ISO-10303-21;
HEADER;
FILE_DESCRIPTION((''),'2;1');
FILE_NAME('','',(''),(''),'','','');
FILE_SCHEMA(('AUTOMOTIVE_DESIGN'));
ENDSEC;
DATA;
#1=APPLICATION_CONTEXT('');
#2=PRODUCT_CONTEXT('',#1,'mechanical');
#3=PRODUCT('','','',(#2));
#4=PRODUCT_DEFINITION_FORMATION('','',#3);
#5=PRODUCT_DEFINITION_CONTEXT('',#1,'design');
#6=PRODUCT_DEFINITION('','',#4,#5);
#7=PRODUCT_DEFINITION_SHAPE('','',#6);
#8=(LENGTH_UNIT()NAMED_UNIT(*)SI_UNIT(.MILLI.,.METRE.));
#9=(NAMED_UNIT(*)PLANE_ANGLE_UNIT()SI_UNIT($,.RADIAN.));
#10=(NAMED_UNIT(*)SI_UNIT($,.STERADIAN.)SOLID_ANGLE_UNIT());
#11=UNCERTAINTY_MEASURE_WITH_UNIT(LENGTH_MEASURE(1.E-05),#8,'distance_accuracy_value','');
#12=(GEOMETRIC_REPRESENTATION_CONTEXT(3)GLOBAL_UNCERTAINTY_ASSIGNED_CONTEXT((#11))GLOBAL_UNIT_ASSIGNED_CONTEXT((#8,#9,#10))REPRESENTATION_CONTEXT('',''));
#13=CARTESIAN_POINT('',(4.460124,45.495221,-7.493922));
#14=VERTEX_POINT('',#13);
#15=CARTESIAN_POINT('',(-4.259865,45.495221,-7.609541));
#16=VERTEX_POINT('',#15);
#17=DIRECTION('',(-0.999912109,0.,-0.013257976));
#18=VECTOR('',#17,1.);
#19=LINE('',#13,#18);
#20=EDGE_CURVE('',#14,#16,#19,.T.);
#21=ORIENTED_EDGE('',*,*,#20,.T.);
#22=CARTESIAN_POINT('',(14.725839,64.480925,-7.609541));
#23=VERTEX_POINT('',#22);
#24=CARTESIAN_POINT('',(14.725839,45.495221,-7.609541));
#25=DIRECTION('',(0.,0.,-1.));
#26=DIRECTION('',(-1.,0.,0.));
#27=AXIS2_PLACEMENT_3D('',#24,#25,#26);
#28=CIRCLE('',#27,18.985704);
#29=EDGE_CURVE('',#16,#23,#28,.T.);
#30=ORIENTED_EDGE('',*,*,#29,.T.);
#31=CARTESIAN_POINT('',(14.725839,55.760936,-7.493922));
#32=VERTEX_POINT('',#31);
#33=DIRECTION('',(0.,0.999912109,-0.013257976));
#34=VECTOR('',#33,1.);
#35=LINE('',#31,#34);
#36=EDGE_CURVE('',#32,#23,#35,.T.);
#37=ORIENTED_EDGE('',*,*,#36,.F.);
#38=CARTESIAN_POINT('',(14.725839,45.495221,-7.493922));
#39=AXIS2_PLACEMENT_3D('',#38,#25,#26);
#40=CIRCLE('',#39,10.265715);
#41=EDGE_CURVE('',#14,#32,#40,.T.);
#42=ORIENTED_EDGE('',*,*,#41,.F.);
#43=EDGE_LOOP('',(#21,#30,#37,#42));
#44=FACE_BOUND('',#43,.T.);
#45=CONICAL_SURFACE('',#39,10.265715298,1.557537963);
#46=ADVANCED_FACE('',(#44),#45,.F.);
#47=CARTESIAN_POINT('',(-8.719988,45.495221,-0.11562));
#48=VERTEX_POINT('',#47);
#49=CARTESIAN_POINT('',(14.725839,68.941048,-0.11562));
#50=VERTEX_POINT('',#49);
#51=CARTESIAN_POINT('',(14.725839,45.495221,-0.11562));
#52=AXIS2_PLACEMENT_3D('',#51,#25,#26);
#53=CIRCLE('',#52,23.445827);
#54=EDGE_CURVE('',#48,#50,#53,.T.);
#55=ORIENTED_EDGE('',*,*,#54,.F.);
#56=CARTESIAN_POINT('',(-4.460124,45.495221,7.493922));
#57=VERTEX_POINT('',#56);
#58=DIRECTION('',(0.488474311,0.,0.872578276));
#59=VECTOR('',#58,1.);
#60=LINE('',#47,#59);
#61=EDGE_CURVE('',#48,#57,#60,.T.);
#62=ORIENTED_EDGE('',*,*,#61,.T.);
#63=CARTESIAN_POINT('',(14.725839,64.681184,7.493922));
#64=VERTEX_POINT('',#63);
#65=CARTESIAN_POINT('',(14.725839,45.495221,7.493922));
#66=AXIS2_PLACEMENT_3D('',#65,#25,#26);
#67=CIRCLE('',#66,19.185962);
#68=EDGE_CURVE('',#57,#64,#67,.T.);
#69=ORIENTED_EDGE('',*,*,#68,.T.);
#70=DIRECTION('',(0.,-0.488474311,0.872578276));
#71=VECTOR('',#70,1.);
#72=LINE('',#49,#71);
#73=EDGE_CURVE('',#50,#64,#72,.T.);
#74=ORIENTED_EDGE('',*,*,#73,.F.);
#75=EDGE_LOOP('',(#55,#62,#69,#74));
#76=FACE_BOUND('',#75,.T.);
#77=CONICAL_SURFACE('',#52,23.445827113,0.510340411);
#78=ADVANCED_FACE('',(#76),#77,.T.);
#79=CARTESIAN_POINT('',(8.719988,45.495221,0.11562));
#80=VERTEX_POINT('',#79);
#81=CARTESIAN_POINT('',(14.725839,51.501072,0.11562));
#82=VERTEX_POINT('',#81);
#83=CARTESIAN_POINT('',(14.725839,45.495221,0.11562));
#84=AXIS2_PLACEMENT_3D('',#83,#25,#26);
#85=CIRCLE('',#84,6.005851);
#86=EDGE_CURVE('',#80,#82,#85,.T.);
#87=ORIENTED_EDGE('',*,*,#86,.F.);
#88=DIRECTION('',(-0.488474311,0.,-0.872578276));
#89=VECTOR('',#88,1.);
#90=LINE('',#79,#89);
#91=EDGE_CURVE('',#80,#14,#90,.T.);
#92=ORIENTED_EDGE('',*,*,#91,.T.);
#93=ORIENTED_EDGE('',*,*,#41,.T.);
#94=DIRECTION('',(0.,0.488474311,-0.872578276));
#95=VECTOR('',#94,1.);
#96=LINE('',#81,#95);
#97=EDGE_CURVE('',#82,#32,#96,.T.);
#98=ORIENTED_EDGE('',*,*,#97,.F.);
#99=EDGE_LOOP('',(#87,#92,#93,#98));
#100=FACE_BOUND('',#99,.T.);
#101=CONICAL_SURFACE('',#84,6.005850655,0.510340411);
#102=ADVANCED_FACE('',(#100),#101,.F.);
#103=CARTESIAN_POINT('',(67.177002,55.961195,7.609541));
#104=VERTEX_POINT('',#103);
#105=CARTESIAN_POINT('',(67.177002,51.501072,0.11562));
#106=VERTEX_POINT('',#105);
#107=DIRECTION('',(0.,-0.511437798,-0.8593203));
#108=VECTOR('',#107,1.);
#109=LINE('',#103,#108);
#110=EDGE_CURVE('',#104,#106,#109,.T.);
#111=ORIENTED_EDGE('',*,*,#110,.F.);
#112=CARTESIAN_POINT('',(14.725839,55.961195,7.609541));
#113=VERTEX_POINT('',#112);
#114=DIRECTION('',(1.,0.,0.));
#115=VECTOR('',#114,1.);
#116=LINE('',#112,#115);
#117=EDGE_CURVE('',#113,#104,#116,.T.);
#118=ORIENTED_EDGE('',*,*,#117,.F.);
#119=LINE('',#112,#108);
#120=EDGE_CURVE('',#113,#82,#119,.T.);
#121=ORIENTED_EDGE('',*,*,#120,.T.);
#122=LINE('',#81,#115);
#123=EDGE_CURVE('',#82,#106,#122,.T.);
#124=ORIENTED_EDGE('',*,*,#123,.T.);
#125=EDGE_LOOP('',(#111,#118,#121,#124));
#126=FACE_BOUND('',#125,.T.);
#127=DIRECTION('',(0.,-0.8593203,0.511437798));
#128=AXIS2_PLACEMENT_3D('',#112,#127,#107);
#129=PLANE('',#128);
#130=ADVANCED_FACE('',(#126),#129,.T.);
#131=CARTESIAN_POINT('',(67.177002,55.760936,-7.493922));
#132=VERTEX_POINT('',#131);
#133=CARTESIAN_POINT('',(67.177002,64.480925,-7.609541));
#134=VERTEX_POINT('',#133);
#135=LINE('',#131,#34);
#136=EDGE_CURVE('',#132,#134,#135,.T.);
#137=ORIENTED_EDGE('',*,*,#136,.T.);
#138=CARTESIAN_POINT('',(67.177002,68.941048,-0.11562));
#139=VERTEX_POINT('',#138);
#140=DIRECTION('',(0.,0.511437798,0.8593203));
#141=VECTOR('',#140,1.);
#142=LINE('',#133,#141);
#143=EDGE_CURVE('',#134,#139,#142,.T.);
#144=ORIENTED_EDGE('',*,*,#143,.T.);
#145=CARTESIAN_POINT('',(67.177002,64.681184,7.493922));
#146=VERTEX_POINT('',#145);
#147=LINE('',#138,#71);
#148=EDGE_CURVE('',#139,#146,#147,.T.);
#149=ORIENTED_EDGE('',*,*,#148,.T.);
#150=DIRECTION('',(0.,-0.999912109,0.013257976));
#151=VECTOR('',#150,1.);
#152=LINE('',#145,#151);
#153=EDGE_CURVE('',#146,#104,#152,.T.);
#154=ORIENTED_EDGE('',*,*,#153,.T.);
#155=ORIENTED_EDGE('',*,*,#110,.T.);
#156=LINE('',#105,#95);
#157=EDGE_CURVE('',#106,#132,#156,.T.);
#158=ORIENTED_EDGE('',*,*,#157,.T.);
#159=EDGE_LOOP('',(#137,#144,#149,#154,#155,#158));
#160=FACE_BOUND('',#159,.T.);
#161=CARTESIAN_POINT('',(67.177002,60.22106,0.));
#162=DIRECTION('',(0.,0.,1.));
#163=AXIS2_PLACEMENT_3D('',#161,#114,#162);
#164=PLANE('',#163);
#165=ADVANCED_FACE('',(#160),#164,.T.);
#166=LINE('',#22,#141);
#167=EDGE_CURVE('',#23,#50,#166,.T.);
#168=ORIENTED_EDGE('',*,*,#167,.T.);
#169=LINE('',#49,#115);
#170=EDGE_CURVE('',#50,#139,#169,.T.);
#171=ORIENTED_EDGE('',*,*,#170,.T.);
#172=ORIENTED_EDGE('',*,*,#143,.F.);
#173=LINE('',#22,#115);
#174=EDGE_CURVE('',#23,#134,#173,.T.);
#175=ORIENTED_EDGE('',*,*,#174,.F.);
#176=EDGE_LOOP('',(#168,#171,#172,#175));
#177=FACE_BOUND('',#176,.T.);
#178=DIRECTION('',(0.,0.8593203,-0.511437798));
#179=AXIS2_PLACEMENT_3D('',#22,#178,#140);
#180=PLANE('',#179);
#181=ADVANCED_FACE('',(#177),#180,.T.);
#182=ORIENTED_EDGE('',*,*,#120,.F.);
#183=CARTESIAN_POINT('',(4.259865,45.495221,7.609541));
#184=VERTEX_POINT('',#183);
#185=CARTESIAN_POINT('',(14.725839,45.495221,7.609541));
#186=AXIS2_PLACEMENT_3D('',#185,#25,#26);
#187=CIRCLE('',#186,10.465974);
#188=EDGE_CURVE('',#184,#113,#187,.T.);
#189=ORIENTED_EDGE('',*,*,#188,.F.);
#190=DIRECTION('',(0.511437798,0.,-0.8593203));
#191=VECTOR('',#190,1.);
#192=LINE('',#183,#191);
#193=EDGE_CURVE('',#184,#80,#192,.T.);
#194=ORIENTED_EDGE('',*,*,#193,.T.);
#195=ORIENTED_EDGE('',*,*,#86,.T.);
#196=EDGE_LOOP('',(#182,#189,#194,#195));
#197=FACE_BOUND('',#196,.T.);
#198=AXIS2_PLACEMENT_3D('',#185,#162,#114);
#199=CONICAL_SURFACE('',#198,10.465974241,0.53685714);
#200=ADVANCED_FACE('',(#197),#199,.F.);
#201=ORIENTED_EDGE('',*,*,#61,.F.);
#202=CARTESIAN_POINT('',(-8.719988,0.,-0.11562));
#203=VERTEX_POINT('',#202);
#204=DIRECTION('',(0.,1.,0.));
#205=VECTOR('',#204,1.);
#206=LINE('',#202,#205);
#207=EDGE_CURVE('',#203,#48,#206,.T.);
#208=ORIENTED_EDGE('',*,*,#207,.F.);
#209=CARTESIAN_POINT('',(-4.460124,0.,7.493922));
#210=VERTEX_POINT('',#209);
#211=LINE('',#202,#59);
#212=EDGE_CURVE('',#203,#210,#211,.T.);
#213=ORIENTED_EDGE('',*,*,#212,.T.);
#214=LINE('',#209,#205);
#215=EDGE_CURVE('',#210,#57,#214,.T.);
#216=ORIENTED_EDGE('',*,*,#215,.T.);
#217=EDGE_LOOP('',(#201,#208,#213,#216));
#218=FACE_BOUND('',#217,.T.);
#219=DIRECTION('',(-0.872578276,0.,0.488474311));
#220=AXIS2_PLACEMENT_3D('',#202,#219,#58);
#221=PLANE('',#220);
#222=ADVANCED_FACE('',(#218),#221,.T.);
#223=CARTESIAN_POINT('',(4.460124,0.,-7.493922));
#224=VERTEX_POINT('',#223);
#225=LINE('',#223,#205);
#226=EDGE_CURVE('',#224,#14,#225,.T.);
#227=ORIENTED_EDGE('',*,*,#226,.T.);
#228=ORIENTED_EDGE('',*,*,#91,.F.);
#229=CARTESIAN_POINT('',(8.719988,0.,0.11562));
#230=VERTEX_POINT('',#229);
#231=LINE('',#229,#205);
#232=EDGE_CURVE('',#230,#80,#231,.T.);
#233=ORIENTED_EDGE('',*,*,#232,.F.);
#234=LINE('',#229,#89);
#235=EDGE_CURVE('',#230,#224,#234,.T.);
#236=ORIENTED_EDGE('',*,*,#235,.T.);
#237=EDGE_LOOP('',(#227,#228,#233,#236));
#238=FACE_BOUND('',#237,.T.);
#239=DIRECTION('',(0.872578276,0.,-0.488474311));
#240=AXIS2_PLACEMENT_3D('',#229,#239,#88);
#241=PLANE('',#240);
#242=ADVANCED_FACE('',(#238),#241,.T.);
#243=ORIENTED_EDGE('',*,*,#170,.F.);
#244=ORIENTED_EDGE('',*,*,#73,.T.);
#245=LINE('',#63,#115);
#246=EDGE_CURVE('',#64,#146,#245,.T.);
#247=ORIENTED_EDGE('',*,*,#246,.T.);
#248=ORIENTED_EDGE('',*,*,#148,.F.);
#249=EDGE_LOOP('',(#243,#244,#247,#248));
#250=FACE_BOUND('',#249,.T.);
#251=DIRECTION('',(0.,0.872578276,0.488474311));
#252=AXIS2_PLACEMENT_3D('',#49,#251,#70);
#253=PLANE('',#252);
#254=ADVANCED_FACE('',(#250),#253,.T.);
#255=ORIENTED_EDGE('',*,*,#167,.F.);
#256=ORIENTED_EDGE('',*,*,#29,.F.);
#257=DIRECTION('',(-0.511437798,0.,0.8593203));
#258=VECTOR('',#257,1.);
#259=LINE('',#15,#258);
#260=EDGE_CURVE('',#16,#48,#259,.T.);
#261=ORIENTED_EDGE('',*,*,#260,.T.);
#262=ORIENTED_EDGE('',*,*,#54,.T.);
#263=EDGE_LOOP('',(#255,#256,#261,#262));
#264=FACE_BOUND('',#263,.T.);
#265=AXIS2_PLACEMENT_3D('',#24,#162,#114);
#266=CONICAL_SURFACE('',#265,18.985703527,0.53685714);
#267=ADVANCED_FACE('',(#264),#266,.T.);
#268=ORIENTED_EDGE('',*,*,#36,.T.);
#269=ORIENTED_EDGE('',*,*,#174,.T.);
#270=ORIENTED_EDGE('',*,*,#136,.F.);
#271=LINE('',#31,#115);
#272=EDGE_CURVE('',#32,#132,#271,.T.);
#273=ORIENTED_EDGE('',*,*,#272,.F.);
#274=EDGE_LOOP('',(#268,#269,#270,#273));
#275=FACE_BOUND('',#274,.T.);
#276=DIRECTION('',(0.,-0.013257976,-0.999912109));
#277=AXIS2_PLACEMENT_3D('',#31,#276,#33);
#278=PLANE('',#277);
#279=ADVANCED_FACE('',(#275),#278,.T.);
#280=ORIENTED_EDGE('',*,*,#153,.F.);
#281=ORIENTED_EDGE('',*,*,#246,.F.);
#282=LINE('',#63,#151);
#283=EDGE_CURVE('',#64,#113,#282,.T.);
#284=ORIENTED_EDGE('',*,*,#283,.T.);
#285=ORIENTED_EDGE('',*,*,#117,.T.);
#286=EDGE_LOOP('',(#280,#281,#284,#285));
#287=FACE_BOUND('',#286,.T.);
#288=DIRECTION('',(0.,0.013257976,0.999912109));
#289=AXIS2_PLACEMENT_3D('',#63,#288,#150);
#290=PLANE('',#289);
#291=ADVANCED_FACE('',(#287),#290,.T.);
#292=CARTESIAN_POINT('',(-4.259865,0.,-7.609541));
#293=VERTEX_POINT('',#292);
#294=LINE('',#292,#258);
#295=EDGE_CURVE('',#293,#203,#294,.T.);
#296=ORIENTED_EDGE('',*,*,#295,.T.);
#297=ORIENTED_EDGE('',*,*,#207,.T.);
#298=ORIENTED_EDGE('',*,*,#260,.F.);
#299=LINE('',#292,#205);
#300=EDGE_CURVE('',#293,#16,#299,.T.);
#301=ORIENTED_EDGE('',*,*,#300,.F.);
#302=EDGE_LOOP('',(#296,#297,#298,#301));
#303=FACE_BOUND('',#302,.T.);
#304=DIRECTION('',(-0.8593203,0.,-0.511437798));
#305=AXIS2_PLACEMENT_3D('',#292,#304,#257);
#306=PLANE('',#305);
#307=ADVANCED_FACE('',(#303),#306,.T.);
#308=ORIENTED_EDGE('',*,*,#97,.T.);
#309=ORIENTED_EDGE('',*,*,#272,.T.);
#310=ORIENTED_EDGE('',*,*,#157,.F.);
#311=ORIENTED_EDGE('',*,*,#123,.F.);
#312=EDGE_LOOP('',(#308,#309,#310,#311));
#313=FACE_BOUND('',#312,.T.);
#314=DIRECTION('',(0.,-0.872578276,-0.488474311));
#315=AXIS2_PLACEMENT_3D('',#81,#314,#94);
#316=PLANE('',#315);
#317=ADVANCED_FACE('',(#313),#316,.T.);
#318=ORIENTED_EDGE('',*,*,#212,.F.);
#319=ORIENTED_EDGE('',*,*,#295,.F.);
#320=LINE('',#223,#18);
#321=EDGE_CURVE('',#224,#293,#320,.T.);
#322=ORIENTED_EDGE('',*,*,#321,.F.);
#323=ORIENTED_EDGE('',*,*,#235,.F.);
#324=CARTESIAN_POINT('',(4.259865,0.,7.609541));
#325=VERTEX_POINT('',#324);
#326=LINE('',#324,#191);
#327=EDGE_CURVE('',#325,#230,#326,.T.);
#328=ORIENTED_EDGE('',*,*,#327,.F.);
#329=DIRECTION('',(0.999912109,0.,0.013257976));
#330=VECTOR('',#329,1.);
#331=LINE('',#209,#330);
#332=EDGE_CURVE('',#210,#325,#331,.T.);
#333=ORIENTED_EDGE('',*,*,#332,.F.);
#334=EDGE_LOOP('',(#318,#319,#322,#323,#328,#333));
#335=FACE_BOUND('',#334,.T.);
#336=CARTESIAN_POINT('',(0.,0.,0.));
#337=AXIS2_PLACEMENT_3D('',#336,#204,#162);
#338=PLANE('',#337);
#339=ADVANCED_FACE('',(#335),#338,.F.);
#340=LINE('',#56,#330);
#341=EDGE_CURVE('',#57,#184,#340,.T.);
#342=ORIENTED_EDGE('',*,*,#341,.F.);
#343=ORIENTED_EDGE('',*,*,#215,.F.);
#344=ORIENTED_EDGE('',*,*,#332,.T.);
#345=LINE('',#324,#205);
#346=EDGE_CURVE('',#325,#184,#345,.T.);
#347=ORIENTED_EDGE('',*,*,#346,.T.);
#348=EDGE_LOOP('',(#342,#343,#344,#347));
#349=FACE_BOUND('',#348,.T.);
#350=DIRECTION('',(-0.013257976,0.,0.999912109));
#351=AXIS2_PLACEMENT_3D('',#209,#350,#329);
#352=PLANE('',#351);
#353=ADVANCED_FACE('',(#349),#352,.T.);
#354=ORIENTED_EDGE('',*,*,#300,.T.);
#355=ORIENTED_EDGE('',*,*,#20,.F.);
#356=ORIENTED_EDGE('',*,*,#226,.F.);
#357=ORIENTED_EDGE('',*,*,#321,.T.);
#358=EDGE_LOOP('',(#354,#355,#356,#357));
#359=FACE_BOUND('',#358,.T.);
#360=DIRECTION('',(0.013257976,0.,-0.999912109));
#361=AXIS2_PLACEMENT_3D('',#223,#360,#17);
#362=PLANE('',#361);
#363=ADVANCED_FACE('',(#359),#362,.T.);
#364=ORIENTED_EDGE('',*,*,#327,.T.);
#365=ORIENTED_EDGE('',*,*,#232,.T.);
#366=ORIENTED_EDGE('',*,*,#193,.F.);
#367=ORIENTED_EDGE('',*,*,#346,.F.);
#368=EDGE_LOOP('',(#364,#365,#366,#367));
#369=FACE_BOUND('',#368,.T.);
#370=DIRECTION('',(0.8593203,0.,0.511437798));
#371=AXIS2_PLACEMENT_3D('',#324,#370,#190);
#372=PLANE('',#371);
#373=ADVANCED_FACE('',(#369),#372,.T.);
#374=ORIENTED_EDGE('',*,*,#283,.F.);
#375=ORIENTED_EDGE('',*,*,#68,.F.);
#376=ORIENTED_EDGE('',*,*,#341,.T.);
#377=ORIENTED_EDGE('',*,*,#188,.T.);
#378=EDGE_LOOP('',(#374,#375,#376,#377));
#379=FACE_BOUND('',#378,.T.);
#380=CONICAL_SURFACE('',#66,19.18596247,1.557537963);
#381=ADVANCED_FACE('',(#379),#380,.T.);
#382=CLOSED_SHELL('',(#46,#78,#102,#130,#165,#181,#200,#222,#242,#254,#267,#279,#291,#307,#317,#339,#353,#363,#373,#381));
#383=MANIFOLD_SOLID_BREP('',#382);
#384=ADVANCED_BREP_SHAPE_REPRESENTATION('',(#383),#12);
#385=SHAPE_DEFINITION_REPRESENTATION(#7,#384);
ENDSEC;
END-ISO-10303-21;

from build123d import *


with BuildPart() as part:
    # 扫描1: sweep along a path in 草图2
    with BuildLine(Plane.XY) as sweep_1_path:
        Line((0, 0), (0, 45.495221089))
        ThreePointArc((0, 45.495221089), (4.31309835, 55.907961623), (14.725838884, 60.221059973))
        Line((14.725838884, 60.221059973), (67.177001903, 60.221059973))
    # 草图3 → 扫描1 (sweep)
    with BuildSketch(Plane(origin=(0, 0, 0), x_dir=(1, 0, 0), z_dir=(0, 1, 0))):
        Polygon((4.259864643, -7.609541104), (8.719988229, -0.115619555), (4.460123586, 7.49392155), (-4.259864643, 7.609541104), (-8.719988229, 0.115619555), (-4.460123586, -7.49392155), align=None)
    sweep(path=sweep_1_path.line)


solid = part.part
